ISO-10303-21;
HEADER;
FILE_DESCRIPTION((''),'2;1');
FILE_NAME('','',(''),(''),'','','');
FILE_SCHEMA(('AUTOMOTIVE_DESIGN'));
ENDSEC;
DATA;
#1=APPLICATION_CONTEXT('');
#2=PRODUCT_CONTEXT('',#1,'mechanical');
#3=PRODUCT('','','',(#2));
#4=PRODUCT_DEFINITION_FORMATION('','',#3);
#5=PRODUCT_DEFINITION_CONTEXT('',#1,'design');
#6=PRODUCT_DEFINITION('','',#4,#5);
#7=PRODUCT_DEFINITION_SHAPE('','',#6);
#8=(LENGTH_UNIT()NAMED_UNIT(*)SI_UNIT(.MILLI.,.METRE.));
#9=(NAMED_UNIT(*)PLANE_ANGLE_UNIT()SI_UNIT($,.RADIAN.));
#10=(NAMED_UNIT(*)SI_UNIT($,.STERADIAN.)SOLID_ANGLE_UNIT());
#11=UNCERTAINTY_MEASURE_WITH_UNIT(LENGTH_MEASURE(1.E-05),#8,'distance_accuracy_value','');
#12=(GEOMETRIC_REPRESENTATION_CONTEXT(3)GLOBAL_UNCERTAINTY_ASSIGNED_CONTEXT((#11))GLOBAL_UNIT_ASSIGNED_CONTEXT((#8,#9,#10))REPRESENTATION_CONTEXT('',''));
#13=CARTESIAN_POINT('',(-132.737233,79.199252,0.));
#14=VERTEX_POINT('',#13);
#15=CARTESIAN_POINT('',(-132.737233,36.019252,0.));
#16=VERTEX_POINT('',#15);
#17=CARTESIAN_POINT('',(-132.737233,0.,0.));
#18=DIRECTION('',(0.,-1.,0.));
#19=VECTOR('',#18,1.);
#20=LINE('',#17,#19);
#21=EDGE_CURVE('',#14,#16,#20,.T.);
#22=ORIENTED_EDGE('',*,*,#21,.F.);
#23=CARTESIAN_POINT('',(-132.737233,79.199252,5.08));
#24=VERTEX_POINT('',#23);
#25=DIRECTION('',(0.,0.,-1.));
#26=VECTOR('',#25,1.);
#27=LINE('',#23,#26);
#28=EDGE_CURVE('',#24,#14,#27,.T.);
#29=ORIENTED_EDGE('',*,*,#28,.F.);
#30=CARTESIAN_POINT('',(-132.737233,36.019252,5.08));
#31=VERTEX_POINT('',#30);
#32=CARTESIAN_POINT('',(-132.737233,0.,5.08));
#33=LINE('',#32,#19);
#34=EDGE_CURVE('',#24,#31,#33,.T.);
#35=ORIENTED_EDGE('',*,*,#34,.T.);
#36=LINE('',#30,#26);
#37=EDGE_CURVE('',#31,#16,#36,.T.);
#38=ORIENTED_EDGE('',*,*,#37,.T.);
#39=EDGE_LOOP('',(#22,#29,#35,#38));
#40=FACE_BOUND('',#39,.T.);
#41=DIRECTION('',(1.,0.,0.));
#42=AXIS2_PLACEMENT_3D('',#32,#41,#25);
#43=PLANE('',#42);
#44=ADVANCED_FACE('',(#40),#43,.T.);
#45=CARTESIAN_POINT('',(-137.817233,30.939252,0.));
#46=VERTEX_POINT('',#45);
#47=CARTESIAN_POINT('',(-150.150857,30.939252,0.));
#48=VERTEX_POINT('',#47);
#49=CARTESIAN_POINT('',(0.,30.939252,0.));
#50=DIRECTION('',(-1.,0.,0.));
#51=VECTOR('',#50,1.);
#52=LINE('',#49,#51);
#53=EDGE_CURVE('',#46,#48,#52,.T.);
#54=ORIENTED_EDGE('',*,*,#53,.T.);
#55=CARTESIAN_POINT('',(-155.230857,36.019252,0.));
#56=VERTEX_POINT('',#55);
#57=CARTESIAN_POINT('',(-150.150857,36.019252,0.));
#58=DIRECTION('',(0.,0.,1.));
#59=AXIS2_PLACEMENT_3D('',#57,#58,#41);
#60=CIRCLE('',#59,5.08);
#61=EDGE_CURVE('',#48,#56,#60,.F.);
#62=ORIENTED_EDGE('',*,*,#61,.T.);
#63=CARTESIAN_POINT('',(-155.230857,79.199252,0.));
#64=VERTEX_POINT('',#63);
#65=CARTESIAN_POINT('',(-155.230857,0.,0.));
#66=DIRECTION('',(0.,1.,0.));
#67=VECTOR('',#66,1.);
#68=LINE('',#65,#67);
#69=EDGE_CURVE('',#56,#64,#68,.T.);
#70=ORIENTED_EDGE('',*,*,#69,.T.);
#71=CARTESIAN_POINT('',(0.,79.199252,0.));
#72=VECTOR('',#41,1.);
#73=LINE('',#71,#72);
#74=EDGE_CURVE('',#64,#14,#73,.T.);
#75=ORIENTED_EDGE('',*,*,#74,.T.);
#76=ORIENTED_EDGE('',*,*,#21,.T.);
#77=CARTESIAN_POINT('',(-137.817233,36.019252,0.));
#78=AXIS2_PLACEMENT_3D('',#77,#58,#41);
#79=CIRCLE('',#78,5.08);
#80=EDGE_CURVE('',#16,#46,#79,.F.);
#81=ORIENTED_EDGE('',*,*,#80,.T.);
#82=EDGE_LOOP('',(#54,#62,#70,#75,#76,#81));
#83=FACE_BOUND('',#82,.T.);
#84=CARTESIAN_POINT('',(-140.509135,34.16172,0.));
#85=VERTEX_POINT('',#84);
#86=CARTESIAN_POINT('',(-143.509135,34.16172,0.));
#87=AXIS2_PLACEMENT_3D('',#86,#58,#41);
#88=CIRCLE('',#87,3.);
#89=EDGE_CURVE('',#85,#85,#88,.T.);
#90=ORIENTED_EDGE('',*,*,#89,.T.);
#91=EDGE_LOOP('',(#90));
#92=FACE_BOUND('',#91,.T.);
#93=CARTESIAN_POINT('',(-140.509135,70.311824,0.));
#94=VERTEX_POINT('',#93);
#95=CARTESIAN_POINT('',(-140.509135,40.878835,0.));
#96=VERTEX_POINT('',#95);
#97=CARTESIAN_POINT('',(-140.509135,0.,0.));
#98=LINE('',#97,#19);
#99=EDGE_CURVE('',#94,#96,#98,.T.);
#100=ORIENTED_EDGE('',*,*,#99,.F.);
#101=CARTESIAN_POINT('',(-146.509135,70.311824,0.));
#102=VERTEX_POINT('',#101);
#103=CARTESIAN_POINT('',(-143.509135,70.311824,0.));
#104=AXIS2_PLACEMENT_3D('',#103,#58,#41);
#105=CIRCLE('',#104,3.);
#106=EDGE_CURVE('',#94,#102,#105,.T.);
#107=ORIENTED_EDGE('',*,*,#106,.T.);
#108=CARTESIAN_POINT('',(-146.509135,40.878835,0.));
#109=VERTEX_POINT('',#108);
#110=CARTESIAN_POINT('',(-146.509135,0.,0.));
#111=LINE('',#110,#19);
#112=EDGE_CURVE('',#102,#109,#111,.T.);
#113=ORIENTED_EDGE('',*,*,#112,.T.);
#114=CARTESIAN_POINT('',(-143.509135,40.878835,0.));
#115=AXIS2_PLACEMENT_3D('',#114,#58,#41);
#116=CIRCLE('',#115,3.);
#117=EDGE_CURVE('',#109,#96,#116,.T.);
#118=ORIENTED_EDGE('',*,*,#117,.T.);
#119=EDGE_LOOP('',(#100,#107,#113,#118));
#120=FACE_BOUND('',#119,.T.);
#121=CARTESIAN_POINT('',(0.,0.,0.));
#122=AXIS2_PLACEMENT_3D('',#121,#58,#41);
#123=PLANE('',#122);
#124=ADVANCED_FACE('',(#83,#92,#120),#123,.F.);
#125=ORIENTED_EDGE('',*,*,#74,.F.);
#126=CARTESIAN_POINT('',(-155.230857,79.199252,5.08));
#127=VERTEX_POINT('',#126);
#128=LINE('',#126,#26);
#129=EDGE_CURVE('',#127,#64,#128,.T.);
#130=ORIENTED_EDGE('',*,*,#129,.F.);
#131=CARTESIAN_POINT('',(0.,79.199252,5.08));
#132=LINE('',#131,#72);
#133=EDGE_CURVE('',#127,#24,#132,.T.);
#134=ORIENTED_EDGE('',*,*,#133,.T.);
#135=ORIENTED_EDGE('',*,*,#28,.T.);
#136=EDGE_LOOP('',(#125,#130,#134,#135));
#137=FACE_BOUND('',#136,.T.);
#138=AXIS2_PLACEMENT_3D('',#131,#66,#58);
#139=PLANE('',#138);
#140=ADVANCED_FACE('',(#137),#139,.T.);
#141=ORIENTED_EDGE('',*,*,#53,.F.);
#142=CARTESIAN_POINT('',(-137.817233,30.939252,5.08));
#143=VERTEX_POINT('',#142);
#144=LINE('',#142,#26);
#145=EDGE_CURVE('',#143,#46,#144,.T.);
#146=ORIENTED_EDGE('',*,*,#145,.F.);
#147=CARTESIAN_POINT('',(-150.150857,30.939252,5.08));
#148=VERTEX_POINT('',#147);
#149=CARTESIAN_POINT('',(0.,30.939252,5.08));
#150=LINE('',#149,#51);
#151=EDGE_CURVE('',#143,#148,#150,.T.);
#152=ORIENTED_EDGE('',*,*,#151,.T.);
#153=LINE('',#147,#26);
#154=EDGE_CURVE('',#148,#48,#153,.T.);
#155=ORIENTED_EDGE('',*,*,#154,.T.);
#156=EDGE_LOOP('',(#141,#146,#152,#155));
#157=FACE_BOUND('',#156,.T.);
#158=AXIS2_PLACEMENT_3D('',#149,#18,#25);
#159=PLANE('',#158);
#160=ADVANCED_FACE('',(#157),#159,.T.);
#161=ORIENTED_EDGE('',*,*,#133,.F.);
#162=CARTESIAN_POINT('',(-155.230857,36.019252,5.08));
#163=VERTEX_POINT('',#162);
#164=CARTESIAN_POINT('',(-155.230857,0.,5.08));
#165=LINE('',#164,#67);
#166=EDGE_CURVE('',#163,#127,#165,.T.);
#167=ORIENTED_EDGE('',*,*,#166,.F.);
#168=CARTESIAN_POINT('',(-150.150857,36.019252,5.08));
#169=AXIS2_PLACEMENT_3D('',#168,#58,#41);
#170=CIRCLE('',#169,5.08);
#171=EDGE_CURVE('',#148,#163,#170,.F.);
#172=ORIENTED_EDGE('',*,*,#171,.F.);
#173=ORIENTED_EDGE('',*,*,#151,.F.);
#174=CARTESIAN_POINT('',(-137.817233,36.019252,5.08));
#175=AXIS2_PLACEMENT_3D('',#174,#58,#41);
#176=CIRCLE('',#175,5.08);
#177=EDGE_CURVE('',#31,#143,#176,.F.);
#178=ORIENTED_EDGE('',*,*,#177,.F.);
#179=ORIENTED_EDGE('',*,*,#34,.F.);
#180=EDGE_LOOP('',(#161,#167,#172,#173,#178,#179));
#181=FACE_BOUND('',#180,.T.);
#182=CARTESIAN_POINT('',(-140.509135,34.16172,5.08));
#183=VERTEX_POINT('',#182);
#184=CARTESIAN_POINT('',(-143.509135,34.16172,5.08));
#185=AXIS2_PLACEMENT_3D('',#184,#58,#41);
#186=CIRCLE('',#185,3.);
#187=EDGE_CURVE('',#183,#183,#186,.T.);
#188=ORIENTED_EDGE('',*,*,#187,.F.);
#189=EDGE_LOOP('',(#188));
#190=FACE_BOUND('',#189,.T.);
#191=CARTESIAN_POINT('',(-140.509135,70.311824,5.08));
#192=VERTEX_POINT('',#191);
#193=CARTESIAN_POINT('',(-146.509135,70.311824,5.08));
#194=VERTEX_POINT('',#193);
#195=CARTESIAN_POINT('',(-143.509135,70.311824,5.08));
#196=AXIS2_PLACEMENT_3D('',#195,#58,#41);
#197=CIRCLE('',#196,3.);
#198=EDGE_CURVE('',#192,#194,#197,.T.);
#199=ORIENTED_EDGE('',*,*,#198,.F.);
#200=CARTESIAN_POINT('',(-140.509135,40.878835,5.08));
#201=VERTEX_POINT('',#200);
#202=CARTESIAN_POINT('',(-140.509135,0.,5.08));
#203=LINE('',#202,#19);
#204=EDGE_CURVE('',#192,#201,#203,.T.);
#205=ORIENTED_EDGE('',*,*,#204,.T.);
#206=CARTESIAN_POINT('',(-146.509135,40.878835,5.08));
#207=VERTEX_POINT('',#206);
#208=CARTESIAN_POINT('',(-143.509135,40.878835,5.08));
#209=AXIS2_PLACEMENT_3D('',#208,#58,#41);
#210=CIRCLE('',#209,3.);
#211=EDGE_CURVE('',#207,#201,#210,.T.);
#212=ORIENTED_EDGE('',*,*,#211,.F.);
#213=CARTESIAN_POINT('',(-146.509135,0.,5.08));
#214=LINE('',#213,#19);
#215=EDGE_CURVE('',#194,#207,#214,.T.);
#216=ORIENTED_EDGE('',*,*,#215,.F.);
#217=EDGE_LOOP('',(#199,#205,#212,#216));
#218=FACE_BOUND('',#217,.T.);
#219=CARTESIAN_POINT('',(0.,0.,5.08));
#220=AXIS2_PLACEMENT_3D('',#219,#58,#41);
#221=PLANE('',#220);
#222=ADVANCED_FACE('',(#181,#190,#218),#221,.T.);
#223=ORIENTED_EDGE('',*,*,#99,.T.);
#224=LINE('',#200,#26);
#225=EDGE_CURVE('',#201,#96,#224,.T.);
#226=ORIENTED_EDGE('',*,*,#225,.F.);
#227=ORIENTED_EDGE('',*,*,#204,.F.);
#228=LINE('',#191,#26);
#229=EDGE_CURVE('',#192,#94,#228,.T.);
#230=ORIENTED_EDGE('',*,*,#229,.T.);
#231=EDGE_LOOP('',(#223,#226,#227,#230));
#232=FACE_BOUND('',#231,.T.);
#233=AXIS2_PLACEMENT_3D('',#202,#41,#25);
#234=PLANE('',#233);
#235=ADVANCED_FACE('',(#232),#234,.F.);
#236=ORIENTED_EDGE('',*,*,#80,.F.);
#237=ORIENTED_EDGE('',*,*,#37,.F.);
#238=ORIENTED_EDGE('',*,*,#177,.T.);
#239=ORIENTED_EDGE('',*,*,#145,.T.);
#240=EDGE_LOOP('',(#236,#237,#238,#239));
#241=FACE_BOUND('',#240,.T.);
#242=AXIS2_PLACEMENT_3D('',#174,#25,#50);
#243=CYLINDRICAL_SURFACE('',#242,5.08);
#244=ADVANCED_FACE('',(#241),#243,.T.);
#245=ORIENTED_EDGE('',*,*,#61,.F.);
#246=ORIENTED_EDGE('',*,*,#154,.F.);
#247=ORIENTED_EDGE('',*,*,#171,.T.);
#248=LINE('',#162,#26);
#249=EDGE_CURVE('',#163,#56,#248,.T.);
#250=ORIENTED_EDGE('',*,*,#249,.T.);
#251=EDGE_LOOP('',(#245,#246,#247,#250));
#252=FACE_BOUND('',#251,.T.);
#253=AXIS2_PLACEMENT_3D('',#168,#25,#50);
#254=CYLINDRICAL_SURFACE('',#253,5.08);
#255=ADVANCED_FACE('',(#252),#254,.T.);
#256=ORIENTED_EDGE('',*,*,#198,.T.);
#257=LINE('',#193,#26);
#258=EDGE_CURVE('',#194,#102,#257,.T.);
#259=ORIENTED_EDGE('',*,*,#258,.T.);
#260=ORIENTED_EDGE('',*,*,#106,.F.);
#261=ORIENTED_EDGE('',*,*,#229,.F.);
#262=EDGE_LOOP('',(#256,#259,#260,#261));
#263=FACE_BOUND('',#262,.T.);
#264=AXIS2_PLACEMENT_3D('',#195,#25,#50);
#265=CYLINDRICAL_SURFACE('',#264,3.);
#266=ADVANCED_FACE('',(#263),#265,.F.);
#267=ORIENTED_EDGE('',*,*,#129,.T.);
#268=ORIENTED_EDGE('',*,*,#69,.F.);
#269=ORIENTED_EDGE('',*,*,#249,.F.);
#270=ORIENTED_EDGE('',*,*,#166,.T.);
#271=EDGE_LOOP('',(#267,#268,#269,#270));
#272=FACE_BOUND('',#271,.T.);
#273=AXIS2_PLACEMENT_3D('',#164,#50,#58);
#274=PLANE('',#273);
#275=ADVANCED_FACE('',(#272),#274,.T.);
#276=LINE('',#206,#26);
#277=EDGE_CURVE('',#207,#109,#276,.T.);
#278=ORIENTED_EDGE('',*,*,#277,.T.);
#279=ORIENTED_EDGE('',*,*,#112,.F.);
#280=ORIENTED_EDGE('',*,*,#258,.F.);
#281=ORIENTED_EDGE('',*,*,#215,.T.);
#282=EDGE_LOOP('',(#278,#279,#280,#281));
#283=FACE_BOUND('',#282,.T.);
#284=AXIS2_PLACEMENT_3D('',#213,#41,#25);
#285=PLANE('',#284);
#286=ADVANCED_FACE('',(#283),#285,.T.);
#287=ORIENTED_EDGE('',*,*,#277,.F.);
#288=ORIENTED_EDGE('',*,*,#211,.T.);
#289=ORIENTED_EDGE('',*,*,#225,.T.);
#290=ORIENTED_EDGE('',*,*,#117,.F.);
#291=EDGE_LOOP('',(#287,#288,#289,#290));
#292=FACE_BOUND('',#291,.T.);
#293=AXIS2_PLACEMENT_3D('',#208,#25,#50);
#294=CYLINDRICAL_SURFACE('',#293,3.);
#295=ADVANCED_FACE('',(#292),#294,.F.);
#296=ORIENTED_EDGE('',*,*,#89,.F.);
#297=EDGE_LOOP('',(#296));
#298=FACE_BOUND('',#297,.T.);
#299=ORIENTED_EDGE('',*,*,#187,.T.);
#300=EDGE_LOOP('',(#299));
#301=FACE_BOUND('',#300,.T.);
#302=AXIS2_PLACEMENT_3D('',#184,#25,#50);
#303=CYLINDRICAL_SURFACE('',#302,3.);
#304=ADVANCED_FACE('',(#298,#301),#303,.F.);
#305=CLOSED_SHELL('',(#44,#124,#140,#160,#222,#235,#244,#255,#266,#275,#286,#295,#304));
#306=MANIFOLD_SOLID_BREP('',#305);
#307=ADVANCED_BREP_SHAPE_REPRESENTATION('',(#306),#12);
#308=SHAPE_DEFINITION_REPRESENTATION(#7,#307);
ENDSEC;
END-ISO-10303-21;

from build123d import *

# Parameters (mm, degrees)
SKETCH1_R           = 3
BOSS_EXTRUDE1_DEPTH = 5.08


with BuildPart() as part:
    # Sketch1 → Boss-Extrude1 (new body)
    with BuildSketch(Plane.XY):
        with BuildLine():
            Line((-132.737233389, 74.11925206), (-132.737233389, 79.19925206))
            Line((-132.737233389, 79.19925206), (-155.230857378, 79.19925206))
            Line((-155.230857378, 79.19925206), (-155.230857378, 74.11925206))
            Line((-155.230857378, 74.11925206), (-155.230857378, 36.01925206))
            ThreePointArc((-155.230857378, 36.01925206), (-153.742959826, 32.427149612), (-150.150857378, 30.93925206))
            Line((-150.150857378, 30.93925206), (-137.817233389, 30.93925206))
            ThreePointArc((-137.817233389, 30.93925206), (-134.22513094, 32.427149612), (-132.737233389, 36.01925206))
            Line((-132.737233389, 36.01925206), (-132.737233389, 74.11925206))
        make_face()
        with Locations((-143.509134839, 34.161720172)):
            Circle(SKETCH1_R, mode=Mode.SUBTRACT)
        with BuildLine():
            ThreePointArc((-146.509134839, 70.311824491), (-143.509134839, 73.311824491), (-140.509134839, 70.311824491))
            Line((-140.509134839, 70.311824491), (-140.509134839, 40.878834509))
            ThreePointArc((-140.509134839, 40.878834509), (-143.509134839, 37.878834509), (-146.509134839, 40.878834509))
            Line((-146.509134839, 40.878834509), (-146.509134839, 70.311824491))
        make_face(mode=Mode.SUBTRACT)
    extrude(amount=BOSS_EXTRUDE1_DEPTH)


solid = part.part
